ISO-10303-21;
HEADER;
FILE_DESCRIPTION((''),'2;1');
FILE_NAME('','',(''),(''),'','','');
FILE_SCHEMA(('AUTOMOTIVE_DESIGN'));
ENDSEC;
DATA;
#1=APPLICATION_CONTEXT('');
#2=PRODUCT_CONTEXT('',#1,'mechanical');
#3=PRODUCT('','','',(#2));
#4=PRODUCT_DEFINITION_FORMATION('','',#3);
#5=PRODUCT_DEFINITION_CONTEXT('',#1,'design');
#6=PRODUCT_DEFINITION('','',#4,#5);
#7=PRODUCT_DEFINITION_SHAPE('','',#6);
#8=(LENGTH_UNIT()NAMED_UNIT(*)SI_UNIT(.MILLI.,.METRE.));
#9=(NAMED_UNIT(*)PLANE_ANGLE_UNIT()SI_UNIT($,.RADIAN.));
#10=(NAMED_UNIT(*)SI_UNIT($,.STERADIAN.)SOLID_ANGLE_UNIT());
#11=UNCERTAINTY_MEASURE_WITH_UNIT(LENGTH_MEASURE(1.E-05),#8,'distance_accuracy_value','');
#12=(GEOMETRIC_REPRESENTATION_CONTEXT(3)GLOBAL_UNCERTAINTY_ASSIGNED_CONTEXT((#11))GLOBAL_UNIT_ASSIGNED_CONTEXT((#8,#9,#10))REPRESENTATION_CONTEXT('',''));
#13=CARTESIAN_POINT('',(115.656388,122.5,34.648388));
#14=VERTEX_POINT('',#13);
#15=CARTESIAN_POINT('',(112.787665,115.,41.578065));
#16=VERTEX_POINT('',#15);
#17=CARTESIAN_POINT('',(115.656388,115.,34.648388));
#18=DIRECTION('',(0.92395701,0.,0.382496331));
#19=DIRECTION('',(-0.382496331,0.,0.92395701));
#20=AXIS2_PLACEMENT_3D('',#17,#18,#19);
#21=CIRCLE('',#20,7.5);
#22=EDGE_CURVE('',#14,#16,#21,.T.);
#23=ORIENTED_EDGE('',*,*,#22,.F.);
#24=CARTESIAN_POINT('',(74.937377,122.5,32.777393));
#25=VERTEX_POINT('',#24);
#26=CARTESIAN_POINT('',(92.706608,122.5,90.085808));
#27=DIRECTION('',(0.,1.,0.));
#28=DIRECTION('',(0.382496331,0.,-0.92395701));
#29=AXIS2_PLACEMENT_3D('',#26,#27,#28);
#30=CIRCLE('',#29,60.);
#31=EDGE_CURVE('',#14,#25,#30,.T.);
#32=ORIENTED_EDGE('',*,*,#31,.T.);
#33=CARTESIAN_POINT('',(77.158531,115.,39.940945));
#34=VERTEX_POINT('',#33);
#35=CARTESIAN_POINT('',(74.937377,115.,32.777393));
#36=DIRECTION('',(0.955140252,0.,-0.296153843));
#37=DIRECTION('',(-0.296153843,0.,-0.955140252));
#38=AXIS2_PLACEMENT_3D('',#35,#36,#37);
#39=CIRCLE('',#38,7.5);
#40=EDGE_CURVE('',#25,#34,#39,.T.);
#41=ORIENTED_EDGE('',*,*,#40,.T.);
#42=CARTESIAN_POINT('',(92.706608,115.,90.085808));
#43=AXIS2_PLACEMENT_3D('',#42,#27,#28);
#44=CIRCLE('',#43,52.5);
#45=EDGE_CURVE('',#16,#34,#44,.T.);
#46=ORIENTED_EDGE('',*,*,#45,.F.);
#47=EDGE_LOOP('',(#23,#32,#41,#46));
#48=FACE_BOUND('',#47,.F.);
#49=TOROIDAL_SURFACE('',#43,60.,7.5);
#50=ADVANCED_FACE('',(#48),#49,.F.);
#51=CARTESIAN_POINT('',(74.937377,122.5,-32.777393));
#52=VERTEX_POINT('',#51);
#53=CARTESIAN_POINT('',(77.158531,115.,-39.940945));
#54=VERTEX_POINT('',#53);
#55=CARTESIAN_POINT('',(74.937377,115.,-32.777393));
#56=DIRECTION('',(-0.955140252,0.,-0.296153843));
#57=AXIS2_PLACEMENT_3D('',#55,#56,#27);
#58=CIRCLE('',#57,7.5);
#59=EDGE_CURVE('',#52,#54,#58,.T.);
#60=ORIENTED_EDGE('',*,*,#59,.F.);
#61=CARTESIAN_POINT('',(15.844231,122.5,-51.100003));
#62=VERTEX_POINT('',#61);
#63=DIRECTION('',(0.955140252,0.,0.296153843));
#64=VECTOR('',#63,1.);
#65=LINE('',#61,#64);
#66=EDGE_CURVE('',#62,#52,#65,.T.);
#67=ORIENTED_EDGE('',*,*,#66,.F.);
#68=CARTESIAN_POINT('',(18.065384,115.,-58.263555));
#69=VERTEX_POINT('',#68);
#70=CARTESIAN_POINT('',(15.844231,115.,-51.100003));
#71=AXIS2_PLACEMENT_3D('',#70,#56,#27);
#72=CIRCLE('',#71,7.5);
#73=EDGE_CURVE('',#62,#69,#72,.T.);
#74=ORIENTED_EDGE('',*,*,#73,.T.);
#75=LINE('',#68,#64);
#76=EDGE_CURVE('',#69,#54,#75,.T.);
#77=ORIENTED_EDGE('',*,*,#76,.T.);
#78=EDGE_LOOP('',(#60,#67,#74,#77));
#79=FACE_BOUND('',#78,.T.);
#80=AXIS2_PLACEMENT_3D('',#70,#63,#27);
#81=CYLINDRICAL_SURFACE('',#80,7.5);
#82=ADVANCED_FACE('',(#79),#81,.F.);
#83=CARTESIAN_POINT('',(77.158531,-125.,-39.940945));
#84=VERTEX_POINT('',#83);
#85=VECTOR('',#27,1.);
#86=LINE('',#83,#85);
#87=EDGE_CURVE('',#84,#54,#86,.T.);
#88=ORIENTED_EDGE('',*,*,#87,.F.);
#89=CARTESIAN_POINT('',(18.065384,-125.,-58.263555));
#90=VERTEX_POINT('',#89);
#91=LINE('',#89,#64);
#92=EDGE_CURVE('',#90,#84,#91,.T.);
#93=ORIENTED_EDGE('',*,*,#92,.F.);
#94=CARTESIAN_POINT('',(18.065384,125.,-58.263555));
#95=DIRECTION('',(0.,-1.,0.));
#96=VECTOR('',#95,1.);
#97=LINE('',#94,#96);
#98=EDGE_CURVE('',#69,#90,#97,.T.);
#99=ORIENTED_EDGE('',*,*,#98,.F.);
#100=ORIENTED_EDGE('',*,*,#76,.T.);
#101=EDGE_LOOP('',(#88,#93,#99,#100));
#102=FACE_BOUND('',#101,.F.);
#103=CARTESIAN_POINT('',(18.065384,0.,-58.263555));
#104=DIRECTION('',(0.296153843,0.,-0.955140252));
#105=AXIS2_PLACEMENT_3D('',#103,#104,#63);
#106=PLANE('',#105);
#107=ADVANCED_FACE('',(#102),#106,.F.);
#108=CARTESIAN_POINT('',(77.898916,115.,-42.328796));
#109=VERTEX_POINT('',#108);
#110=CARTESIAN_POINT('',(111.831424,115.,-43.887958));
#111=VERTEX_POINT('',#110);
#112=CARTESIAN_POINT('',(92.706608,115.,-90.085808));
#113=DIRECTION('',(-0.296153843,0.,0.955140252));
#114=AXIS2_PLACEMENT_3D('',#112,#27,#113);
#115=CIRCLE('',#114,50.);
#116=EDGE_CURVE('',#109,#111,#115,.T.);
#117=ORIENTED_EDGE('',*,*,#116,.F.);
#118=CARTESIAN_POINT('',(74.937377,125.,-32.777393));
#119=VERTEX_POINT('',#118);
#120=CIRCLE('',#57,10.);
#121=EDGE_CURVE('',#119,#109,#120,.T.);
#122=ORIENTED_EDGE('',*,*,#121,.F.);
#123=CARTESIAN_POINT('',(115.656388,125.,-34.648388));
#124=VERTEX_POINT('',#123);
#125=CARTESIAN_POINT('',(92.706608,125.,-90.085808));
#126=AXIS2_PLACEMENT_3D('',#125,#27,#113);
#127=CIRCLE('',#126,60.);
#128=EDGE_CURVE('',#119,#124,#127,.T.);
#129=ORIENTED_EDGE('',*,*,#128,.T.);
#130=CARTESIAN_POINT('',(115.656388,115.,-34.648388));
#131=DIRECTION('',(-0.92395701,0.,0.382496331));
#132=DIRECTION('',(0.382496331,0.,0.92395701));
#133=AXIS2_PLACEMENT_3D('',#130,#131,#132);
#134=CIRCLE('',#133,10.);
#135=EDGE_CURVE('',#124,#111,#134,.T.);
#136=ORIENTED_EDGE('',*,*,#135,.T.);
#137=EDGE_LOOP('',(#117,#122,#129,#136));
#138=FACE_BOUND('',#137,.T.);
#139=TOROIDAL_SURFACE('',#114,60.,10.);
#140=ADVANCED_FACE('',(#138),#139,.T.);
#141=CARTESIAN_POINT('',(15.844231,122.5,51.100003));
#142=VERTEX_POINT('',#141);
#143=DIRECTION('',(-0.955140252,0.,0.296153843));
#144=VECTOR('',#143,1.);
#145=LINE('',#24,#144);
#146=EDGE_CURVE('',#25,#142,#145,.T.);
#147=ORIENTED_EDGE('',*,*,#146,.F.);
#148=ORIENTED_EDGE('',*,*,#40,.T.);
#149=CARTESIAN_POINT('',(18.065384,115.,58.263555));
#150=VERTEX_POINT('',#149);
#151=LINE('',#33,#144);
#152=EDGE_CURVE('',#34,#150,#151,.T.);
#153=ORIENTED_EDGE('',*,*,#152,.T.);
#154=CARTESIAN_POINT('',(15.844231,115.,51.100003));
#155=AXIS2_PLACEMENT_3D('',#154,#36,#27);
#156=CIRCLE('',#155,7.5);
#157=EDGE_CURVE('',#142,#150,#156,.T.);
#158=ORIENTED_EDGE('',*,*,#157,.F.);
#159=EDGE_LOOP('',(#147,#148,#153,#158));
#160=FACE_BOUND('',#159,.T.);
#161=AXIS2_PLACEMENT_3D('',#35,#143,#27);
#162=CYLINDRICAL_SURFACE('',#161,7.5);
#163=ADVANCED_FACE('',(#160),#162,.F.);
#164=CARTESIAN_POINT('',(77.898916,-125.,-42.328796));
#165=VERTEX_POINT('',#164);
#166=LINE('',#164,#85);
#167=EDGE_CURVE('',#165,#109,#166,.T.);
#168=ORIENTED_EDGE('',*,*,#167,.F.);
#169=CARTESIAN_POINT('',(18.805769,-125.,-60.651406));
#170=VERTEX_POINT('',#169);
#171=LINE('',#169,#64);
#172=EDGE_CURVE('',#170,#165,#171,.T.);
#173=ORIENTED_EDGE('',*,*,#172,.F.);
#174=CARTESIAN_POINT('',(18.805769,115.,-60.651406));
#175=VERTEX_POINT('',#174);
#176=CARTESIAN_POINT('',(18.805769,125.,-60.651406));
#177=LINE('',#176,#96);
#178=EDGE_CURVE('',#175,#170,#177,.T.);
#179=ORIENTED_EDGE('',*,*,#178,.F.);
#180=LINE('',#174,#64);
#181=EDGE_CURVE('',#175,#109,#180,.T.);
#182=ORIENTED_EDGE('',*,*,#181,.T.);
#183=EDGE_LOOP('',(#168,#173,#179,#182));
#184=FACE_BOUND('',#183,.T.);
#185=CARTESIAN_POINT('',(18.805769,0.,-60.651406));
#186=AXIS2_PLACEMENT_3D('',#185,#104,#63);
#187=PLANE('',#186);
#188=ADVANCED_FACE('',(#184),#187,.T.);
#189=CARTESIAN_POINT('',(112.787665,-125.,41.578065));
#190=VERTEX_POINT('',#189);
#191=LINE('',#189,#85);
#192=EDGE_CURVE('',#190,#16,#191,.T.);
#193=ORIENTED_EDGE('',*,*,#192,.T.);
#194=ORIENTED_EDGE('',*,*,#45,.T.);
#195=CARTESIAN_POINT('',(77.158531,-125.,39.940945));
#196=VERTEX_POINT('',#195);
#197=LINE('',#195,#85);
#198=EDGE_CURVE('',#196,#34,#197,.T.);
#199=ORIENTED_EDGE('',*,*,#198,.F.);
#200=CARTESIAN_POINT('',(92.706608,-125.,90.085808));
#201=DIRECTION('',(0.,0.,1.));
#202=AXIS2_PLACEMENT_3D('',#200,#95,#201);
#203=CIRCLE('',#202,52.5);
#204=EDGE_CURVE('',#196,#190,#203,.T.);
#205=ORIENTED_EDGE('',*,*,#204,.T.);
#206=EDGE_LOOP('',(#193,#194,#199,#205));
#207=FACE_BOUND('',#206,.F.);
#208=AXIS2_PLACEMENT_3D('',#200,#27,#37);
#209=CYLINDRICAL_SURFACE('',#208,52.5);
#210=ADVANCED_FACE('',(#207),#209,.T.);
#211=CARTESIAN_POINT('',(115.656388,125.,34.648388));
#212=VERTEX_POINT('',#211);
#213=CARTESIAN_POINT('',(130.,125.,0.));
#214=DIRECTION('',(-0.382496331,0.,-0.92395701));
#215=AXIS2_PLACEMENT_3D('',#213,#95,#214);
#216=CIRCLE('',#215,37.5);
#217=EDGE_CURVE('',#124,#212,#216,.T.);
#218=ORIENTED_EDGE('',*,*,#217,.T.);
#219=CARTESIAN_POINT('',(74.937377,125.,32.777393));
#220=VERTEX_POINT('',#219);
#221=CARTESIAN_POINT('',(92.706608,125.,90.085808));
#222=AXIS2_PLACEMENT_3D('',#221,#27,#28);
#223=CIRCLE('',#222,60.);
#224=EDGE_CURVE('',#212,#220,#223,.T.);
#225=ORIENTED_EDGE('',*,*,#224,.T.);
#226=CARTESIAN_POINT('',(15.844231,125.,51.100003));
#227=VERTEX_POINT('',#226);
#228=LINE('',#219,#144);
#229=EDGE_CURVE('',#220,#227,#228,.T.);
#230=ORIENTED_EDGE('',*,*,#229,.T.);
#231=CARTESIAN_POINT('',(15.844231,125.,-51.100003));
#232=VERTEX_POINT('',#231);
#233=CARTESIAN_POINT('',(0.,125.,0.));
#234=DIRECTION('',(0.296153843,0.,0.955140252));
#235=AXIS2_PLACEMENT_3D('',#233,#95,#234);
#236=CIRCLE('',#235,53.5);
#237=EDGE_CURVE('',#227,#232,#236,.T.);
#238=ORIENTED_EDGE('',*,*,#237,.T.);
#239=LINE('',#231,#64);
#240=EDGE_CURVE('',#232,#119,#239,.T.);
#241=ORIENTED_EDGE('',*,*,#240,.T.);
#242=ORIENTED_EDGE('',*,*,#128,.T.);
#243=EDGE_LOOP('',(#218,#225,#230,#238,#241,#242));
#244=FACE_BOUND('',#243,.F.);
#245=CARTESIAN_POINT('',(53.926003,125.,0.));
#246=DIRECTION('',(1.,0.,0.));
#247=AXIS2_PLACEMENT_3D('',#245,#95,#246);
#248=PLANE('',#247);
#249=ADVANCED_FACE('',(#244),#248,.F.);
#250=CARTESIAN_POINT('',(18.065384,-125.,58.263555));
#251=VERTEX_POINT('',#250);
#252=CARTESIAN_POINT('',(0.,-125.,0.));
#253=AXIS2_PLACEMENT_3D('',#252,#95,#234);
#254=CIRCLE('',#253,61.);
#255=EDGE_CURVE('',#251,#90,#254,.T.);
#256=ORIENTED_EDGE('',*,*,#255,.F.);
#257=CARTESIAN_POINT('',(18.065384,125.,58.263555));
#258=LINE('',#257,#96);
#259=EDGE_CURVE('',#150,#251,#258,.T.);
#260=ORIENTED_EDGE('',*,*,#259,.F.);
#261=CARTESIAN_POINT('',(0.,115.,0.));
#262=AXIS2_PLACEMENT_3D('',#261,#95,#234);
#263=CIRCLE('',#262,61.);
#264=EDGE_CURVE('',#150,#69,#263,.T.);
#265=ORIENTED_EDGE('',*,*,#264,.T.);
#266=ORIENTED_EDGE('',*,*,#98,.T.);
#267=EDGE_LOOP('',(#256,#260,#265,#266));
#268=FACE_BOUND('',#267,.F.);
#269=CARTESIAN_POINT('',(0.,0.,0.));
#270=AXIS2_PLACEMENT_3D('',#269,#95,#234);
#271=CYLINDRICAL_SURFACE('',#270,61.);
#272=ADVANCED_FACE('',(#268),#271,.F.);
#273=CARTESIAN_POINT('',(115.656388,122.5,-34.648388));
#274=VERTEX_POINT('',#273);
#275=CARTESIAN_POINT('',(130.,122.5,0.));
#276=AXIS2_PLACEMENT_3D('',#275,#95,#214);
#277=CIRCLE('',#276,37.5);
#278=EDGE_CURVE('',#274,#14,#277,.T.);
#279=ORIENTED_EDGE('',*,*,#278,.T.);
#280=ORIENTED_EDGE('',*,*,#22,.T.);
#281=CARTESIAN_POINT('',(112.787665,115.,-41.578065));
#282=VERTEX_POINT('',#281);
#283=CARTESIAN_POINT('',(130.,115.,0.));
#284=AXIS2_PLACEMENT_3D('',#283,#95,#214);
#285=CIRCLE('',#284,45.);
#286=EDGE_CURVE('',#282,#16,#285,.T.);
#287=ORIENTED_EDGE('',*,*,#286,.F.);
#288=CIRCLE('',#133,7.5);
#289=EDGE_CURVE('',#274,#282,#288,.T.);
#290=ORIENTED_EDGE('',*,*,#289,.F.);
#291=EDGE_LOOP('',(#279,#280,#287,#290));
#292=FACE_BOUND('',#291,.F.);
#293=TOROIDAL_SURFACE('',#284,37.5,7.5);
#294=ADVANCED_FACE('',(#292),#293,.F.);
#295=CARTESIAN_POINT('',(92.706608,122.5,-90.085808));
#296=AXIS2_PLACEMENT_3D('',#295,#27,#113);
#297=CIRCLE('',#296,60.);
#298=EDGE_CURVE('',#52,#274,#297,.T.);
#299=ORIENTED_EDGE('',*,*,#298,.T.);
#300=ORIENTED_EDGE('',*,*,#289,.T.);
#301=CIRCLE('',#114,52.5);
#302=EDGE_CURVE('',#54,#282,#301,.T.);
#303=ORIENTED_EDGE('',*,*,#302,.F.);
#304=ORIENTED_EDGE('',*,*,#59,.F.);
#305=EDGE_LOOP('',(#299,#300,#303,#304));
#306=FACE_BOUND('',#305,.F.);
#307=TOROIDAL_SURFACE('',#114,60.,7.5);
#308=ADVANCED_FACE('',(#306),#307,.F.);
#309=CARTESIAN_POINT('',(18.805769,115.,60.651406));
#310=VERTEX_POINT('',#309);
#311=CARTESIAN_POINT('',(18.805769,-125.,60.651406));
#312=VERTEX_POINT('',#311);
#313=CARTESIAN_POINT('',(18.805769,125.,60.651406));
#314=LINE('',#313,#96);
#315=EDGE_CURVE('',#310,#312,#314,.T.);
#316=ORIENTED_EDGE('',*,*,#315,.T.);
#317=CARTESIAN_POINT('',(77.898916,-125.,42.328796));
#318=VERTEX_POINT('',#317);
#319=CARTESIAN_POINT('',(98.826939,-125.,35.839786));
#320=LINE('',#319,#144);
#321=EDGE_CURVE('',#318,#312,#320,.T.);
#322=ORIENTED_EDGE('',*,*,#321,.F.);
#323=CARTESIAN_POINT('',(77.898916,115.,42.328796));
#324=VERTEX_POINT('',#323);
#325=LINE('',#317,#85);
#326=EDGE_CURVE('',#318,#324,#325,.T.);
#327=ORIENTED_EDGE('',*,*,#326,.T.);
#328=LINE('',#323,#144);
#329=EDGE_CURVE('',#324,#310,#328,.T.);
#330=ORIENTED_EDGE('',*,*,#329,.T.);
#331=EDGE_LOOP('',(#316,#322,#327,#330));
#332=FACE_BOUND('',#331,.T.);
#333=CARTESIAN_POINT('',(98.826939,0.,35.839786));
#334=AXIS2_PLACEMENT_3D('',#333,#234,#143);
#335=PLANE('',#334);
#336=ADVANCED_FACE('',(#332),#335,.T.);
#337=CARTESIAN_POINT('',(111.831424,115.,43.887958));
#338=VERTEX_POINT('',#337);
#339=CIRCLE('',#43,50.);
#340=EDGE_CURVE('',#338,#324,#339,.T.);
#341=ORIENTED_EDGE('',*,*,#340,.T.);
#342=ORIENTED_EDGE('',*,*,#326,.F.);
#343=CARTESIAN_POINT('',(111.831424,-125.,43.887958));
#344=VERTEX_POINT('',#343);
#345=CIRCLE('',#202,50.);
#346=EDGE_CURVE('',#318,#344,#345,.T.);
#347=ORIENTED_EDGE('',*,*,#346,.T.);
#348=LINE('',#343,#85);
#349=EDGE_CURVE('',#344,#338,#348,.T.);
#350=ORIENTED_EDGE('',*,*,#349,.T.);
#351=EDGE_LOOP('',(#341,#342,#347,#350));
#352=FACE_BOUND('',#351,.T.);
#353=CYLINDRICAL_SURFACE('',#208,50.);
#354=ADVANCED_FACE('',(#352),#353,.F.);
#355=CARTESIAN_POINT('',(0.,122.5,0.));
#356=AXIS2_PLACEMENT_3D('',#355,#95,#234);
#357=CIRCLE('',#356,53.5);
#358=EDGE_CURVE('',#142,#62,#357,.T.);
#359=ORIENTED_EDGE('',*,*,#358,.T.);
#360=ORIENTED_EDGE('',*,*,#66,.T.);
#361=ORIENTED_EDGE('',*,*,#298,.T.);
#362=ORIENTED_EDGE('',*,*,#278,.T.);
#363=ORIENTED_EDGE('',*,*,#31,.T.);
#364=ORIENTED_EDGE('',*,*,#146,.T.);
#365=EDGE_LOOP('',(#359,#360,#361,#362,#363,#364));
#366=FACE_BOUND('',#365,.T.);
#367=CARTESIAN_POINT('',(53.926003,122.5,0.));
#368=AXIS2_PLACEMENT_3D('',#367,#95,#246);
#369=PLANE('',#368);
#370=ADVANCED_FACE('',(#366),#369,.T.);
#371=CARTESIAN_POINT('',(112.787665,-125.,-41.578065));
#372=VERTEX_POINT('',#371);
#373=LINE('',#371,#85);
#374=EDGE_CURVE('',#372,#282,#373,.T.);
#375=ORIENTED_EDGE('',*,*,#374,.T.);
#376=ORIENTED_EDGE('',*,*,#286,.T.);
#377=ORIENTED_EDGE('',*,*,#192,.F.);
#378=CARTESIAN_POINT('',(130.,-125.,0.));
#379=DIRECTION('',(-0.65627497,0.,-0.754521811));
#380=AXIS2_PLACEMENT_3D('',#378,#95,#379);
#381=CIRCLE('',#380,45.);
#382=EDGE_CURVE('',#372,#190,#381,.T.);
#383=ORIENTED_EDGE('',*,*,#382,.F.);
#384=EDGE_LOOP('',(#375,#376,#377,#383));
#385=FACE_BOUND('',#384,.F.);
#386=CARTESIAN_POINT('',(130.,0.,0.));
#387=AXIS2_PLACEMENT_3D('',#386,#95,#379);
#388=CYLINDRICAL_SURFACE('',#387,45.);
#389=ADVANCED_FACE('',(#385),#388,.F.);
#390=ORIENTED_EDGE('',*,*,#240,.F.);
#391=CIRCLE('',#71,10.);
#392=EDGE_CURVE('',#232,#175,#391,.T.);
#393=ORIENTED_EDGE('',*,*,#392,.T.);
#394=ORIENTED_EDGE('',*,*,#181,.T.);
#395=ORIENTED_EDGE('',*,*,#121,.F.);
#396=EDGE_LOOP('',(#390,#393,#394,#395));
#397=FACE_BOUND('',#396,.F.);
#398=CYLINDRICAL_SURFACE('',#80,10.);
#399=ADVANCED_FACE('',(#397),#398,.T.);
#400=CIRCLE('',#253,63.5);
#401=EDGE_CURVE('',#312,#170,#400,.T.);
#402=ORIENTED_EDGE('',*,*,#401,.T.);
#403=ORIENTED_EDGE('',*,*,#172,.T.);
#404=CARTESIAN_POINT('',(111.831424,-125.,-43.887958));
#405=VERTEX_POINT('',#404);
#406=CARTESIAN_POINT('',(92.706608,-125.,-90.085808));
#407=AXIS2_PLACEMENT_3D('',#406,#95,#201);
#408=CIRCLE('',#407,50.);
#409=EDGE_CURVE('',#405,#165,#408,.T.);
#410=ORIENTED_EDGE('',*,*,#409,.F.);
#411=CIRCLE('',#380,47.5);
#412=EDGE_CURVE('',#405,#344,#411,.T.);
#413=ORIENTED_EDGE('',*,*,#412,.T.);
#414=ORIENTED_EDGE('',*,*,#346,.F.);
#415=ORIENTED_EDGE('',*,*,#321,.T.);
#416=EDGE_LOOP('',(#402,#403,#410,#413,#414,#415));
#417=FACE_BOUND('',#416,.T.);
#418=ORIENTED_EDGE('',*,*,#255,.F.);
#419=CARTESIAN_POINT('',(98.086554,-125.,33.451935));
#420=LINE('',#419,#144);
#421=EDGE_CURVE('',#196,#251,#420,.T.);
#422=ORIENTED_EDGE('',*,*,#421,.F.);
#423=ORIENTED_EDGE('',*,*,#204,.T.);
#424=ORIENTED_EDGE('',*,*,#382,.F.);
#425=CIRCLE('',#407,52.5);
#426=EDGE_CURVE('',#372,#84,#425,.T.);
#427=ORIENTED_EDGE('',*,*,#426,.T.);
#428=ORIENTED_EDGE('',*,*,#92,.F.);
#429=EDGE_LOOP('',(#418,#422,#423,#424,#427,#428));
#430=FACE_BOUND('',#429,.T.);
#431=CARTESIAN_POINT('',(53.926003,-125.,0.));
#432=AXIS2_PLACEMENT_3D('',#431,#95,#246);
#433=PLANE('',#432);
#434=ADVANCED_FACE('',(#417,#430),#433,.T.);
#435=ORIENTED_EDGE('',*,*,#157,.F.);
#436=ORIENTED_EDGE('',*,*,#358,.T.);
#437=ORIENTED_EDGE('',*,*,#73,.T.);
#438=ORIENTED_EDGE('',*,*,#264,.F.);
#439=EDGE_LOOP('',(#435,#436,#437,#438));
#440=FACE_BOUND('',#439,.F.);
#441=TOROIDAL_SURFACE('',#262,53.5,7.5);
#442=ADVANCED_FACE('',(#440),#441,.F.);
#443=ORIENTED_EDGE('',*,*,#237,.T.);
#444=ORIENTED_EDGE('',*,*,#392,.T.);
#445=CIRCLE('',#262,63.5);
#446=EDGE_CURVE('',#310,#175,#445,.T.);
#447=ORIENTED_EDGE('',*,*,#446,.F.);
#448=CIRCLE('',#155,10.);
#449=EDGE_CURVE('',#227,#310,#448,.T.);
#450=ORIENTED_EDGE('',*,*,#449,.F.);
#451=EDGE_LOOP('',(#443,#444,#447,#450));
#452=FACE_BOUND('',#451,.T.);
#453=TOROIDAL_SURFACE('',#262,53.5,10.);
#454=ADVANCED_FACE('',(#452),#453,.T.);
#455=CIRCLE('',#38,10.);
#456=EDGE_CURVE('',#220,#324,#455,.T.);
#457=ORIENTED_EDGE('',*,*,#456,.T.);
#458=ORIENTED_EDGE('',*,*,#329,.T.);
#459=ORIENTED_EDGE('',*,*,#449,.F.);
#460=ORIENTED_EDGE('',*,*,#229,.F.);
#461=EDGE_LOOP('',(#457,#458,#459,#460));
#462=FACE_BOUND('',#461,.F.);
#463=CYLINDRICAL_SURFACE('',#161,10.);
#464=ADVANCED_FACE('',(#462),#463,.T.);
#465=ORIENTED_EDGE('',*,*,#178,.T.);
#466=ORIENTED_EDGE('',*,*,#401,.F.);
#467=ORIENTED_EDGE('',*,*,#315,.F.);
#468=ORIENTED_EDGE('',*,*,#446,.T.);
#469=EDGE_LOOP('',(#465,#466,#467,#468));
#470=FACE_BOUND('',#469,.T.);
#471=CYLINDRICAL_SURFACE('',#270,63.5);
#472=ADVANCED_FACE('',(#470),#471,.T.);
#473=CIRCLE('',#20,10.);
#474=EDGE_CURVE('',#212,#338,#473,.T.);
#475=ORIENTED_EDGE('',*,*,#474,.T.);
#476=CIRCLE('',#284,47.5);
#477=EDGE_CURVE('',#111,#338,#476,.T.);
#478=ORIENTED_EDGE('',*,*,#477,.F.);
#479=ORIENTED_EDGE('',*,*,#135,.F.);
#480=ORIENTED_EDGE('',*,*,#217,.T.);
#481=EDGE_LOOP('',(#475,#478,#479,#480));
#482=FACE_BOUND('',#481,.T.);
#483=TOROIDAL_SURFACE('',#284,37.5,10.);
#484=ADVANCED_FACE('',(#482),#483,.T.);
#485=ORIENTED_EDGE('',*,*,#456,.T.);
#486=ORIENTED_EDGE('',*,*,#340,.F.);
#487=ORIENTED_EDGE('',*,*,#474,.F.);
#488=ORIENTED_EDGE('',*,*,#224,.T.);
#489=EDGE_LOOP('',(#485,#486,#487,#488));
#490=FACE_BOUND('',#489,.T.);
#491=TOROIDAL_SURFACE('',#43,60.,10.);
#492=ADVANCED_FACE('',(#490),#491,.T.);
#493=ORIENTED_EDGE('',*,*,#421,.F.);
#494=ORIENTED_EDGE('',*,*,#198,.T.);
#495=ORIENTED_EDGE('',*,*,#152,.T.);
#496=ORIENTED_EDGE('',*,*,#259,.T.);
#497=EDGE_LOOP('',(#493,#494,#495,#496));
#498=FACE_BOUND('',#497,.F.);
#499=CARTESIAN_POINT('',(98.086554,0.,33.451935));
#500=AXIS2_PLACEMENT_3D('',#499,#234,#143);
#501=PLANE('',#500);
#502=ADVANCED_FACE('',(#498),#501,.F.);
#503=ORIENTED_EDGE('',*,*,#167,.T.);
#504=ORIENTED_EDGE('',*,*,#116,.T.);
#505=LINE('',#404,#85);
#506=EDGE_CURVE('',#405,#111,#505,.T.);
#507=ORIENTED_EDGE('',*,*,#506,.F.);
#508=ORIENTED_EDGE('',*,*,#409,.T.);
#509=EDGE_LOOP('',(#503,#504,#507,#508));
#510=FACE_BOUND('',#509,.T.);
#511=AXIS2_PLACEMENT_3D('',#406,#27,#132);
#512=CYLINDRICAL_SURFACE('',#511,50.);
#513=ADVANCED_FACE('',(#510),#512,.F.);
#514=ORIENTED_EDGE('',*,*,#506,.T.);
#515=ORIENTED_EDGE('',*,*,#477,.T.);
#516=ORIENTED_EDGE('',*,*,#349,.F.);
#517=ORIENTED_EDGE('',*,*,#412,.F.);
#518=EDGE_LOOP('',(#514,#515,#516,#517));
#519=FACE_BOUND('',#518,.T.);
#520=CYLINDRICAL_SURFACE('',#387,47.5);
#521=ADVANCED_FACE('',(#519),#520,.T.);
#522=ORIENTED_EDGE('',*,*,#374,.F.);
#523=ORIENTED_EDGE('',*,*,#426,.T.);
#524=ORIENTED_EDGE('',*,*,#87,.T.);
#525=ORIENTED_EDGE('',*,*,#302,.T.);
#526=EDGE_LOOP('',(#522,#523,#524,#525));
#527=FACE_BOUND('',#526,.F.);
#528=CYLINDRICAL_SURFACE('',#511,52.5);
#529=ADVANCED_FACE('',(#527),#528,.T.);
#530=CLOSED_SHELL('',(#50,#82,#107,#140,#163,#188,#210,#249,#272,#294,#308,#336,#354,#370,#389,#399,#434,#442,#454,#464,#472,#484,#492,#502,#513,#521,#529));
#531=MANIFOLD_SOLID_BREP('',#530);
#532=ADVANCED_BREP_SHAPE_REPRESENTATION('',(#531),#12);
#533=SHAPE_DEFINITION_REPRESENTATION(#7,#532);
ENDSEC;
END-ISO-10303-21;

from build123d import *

# Parameters (mm, degrees)
F1_DEPTH = 125
F2_R     = 50
F3_R     = 10
F4_T     = -2.5


with BuildPart() as f1:
    # F0 (on Front) → F1 (new body, symmetric)
    with BuildSketch(Plane.XZ):
        with BuildLine():
            Line((98.826939, 35.839786), (18.805769, 60.651406))
            ThreePointArc((18.805769, 60.651406), (-63.5, 0), (18.805769, -60.651406))
            Line((18.805769, -60.651406), (98.826939, -35.839786))
            ThreePointArc((98.826939, -35.839786), (177.5, 0), (98.826939, 35.839786))
        make_face()
    extrude(amount=F1_DEPTH, both=True)

    # F2
    f2_edges = [f1.edges().sort_by_distance(p)[0] for p in [
        (98.826939, 0, 35.839786),
        (98.826939, 0, -35.839786),
    ]]
    fillet(f2_edges, radius=F2_R)

    # F3
    f3_edges = [f1.edges().sort_by_distance(p)[0] for p in [
        (48.352342, 125, -51.490101),
    ]]
    fillet(f3_edges, radius=F3_R)

    # F4
    f4_openings = [f1.faces().sort_by_distance(p)[0] for p in [
        (49.834111, -125, 0),
    ]]
    offset(amount=F4_T, openings=f4_openings)


solid = f1.part
